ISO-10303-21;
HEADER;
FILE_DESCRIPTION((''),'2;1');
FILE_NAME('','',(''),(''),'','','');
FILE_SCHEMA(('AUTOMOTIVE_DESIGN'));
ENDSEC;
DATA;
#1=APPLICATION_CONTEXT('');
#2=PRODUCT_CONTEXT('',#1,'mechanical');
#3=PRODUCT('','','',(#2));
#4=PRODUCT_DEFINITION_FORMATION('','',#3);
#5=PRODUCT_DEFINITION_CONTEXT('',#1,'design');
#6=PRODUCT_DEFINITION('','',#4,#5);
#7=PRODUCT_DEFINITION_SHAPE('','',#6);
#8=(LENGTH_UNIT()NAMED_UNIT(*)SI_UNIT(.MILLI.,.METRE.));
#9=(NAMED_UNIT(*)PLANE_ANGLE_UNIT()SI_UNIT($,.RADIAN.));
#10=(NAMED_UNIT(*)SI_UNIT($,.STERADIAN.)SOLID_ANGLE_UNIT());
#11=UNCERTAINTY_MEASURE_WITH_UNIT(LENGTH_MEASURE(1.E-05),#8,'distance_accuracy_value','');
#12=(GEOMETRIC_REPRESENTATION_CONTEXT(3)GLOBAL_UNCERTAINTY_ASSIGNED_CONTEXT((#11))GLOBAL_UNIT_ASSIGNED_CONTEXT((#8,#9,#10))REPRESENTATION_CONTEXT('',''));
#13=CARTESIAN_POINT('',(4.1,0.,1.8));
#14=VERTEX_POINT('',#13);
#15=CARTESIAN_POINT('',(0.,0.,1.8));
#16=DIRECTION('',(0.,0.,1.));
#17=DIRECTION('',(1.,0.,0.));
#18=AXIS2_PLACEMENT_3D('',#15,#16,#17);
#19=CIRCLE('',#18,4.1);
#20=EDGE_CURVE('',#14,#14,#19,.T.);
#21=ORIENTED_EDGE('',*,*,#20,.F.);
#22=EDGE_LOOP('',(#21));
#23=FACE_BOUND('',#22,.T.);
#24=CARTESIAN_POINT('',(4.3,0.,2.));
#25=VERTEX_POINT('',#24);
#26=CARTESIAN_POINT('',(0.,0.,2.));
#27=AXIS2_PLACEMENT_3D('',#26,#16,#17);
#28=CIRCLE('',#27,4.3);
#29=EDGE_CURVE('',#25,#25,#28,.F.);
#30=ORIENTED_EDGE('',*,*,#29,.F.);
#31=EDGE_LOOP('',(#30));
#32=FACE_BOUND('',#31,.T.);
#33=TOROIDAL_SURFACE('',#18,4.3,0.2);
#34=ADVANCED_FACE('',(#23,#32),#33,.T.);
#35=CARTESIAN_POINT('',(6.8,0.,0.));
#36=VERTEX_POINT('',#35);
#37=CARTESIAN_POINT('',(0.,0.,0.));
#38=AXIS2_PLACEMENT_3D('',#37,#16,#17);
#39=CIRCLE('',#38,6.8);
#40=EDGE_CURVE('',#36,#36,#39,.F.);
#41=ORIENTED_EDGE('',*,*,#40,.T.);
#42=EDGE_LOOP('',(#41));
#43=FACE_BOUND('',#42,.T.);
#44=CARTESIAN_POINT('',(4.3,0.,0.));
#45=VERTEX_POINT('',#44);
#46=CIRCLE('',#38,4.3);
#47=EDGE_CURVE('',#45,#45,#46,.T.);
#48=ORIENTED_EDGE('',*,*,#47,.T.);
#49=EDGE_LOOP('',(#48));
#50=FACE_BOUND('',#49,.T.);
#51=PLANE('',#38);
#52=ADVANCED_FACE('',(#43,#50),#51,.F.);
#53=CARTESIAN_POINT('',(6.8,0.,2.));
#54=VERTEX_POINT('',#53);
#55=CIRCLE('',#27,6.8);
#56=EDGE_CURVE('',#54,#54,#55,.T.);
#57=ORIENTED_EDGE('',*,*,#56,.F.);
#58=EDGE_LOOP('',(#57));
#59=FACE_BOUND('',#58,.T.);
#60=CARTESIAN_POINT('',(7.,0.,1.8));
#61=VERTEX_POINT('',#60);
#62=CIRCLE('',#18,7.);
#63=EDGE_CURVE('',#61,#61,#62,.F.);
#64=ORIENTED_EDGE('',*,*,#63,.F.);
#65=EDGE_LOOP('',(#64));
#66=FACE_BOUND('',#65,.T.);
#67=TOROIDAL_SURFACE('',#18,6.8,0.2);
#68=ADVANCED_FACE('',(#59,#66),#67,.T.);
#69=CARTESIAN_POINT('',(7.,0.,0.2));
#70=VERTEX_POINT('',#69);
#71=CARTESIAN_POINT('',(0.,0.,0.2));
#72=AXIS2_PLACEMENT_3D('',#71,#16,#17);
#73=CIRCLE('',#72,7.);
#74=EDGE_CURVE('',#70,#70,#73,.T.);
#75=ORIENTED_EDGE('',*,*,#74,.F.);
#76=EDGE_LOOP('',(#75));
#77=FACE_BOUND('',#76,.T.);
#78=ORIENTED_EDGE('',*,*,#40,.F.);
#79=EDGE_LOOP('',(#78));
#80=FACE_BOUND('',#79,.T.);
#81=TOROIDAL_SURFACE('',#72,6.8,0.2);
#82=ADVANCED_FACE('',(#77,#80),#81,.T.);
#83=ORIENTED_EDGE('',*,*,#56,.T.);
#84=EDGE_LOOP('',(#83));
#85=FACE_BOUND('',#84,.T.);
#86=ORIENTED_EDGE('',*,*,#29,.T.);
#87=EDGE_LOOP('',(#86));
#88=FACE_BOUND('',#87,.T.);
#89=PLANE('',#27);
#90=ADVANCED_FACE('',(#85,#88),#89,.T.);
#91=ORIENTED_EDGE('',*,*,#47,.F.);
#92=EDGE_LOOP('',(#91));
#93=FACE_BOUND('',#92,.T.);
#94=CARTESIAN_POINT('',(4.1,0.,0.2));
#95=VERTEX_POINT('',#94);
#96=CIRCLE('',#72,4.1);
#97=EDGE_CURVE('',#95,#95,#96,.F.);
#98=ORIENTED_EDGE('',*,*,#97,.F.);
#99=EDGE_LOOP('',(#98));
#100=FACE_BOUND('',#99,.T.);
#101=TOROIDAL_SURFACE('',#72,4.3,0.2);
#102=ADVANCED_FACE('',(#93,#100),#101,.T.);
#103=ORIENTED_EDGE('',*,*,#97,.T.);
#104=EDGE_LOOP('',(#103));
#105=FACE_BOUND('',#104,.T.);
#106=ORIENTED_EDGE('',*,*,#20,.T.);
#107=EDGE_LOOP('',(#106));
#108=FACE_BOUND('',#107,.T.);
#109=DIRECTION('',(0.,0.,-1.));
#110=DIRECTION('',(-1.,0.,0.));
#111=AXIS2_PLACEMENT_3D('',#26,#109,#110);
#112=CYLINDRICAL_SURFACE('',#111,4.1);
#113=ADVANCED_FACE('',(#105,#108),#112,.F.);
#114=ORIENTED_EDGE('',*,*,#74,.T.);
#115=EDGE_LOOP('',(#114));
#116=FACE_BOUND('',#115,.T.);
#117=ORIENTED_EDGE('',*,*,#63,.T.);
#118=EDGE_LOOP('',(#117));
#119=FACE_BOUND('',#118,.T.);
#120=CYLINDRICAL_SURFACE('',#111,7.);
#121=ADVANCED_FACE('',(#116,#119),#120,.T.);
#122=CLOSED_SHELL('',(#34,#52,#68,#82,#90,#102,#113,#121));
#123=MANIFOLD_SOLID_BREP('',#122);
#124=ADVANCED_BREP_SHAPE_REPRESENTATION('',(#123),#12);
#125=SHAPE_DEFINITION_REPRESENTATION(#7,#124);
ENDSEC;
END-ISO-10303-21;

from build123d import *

# Parameters (mm, degrees)
SKETCH_1_R      = 7
SKETCH_1_R_2    = 4.1
EXTRUDE_1_DEPTH = 2
FILLET_1_R      = 0.2


with BuildPart() as part:
    # Эскиз1 → Бобышка-Вытянуть1 (new body)
    with BuildSketch(Plane.XY):
        Circle(SKETCH_1_R)
        Circle(SKETCH_1_R_2, mode=Mode.SUBTRACT)
    extrude(amount=EXTRUDE_1_DEPTH)

    # Скругление1
    fillet_1_edges = [part.edges().sort_by_distance(p)[0] for p in [
        (-7, 0, 0),
        (-7, 0, 2),
        (-4.1, 0, 0),
        (-4.1, 0, 2),
    ]]
    fillet(fillet_1_edges, radius=FILLET_1_R)


solid = part.part
